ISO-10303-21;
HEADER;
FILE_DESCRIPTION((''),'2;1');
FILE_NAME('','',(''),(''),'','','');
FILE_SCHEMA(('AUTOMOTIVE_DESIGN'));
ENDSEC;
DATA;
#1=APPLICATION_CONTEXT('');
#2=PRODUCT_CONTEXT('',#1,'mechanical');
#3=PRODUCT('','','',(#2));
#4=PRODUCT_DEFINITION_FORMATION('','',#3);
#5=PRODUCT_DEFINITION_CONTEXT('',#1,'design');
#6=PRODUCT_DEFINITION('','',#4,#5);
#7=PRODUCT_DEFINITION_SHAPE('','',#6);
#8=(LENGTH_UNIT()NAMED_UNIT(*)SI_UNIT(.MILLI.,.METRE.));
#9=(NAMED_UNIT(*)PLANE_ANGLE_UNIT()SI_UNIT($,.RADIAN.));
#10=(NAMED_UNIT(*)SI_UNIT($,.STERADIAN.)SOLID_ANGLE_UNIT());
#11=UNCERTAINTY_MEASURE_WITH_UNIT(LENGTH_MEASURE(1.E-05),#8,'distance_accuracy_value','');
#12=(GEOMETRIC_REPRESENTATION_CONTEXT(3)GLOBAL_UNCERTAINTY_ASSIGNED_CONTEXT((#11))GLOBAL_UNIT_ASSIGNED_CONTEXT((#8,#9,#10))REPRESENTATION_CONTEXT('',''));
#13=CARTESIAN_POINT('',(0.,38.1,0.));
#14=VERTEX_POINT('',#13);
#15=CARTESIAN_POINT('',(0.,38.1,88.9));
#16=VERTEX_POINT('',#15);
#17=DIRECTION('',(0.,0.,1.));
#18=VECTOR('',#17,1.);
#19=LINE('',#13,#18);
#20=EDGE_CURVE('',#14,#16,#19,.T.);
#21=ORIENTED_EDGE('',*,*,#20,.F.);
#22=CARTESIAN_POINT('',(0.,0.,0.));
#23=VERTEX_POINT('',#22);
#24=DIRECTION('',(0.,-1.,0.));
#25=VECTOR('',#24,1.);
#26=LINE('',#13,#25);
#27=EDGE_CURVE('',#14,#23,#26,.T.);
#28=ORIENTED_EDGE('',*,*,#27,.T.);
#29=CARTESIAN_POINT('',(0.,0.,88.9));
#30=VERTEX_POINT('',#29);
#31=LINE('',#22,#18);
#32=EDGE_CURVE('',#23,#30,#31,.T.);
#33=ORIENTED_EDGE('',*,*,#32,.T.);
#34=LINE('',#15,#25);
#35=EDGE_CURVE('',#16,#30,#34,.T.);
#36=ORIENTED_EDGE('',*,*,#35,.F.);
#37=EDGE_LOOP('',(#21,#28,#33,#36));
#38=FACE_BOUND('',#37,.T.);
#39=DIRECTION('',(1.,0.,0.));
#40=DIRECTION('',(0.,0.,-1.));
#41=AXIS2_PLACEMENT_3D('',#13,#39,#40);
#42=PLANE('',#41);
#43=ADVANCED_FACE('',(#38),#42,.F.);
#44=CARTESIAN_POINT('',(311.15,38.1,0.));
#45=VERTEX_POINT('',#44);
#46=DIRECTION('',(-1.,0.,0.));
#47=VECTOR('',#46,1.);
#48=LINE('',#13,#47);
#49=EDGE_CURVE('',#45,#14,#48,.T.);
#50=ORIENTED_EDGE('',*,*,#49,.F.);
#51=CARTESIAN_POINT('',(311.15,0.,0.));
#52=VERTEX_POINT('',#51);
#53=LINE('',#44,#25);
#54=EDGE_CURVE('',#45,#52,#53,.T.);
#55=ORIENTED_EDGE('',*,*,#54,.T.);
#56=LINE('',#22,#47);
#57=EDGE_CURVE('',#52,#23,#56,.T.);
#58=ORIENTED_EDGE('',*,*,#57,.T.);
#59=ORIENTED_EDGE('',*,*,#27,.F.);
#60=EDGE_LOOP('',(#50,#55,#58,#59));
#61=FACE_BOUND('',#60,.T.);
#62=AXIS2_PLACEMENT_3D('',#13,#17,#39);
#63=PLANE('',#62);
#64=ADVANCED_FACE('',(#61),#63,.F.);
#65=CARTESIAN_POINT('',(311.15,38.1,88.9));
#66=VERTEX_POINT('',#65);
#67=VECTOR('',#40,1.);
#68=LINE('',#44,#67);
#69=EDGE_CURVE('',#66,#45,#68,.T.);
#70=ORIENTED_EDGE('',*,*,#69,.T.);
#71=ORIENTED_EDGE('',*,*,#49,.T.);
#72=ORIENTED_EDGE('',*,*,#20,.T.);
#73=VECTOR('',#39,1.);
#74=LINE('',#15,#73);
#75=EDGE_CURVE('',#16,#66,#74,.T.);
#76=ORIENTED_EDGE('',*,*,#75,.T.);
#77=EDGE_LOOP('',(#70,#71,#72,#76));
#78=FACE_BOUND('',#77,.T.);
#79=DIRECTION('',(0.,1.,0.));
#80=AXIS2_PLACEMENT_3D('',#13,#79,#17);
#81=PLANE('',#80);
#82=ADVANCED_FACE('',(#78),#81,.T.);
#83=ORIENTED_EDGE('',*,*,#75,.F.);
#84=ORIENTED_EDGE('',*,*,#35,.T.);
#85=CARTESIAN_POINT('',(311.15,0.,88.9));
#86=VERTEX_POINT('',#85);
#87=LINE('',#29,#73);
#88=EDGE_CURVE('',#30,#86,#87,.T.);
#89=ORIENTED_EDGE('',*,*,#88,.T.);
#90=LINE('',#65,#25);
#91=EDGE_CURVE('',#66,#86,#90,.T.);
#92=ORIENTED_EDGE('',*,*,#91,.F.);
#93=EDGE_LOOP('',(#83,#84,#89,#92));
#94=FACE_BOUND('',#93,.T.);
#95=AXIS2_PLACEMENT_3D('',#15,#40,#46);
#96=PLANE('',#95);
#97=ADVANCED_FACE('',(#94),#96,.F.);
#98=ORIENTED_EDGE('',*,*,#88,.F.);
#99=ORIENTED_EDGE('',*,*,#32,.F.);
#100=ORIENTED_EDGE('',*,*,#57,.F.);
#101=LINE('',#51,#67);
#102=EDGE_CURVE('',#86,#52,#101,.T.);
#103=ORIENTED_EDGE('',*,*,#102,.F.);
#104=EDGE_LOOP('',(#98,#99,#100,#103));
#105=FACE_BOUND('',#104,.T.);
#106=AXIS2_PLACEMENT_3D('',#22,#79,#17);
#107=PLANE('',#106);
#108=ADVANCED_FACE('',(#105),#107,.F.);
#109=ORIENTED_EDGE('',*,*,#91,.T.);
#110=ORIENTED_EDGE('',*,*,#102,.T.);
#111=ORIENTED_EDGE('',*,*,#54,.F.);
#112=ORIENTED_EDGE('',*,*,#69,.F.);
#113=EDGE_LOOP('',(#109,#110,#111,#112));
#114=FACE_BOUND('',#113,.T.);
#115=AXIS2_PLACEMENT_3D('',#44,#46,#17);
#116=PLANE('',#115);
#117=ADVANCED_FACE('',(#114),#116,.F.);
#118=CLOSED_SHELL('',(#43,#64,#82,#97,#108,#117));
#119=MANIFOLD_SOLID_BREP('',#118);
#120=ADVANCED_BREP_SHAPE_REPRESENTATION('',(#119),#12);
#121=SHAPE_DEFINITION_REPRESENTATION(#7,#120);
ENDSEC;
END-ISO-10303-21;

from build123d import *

# Parameters (mm, degrees)
SKETCH1_W           = 311.15
SKETCH1_H           = 88.9
BOSS_EXTRUDE1_DEPTH = 38.1


with BuildPart() as part:
    # Sketch1 → Boss-Extrude1 (new body)
    with BuildSketch(Plane(origin=(0, 0, 0), x_dir=(1, 0, 0), z_dir=(0, 1, 0))):
        with Locations((155.575, -44.45)):
            Rectangle(SKETCH1_W, SKETCH1_H)
    extrude(amount=BOSS_EXTRUDE1_DEPTH)


solid = part.part
